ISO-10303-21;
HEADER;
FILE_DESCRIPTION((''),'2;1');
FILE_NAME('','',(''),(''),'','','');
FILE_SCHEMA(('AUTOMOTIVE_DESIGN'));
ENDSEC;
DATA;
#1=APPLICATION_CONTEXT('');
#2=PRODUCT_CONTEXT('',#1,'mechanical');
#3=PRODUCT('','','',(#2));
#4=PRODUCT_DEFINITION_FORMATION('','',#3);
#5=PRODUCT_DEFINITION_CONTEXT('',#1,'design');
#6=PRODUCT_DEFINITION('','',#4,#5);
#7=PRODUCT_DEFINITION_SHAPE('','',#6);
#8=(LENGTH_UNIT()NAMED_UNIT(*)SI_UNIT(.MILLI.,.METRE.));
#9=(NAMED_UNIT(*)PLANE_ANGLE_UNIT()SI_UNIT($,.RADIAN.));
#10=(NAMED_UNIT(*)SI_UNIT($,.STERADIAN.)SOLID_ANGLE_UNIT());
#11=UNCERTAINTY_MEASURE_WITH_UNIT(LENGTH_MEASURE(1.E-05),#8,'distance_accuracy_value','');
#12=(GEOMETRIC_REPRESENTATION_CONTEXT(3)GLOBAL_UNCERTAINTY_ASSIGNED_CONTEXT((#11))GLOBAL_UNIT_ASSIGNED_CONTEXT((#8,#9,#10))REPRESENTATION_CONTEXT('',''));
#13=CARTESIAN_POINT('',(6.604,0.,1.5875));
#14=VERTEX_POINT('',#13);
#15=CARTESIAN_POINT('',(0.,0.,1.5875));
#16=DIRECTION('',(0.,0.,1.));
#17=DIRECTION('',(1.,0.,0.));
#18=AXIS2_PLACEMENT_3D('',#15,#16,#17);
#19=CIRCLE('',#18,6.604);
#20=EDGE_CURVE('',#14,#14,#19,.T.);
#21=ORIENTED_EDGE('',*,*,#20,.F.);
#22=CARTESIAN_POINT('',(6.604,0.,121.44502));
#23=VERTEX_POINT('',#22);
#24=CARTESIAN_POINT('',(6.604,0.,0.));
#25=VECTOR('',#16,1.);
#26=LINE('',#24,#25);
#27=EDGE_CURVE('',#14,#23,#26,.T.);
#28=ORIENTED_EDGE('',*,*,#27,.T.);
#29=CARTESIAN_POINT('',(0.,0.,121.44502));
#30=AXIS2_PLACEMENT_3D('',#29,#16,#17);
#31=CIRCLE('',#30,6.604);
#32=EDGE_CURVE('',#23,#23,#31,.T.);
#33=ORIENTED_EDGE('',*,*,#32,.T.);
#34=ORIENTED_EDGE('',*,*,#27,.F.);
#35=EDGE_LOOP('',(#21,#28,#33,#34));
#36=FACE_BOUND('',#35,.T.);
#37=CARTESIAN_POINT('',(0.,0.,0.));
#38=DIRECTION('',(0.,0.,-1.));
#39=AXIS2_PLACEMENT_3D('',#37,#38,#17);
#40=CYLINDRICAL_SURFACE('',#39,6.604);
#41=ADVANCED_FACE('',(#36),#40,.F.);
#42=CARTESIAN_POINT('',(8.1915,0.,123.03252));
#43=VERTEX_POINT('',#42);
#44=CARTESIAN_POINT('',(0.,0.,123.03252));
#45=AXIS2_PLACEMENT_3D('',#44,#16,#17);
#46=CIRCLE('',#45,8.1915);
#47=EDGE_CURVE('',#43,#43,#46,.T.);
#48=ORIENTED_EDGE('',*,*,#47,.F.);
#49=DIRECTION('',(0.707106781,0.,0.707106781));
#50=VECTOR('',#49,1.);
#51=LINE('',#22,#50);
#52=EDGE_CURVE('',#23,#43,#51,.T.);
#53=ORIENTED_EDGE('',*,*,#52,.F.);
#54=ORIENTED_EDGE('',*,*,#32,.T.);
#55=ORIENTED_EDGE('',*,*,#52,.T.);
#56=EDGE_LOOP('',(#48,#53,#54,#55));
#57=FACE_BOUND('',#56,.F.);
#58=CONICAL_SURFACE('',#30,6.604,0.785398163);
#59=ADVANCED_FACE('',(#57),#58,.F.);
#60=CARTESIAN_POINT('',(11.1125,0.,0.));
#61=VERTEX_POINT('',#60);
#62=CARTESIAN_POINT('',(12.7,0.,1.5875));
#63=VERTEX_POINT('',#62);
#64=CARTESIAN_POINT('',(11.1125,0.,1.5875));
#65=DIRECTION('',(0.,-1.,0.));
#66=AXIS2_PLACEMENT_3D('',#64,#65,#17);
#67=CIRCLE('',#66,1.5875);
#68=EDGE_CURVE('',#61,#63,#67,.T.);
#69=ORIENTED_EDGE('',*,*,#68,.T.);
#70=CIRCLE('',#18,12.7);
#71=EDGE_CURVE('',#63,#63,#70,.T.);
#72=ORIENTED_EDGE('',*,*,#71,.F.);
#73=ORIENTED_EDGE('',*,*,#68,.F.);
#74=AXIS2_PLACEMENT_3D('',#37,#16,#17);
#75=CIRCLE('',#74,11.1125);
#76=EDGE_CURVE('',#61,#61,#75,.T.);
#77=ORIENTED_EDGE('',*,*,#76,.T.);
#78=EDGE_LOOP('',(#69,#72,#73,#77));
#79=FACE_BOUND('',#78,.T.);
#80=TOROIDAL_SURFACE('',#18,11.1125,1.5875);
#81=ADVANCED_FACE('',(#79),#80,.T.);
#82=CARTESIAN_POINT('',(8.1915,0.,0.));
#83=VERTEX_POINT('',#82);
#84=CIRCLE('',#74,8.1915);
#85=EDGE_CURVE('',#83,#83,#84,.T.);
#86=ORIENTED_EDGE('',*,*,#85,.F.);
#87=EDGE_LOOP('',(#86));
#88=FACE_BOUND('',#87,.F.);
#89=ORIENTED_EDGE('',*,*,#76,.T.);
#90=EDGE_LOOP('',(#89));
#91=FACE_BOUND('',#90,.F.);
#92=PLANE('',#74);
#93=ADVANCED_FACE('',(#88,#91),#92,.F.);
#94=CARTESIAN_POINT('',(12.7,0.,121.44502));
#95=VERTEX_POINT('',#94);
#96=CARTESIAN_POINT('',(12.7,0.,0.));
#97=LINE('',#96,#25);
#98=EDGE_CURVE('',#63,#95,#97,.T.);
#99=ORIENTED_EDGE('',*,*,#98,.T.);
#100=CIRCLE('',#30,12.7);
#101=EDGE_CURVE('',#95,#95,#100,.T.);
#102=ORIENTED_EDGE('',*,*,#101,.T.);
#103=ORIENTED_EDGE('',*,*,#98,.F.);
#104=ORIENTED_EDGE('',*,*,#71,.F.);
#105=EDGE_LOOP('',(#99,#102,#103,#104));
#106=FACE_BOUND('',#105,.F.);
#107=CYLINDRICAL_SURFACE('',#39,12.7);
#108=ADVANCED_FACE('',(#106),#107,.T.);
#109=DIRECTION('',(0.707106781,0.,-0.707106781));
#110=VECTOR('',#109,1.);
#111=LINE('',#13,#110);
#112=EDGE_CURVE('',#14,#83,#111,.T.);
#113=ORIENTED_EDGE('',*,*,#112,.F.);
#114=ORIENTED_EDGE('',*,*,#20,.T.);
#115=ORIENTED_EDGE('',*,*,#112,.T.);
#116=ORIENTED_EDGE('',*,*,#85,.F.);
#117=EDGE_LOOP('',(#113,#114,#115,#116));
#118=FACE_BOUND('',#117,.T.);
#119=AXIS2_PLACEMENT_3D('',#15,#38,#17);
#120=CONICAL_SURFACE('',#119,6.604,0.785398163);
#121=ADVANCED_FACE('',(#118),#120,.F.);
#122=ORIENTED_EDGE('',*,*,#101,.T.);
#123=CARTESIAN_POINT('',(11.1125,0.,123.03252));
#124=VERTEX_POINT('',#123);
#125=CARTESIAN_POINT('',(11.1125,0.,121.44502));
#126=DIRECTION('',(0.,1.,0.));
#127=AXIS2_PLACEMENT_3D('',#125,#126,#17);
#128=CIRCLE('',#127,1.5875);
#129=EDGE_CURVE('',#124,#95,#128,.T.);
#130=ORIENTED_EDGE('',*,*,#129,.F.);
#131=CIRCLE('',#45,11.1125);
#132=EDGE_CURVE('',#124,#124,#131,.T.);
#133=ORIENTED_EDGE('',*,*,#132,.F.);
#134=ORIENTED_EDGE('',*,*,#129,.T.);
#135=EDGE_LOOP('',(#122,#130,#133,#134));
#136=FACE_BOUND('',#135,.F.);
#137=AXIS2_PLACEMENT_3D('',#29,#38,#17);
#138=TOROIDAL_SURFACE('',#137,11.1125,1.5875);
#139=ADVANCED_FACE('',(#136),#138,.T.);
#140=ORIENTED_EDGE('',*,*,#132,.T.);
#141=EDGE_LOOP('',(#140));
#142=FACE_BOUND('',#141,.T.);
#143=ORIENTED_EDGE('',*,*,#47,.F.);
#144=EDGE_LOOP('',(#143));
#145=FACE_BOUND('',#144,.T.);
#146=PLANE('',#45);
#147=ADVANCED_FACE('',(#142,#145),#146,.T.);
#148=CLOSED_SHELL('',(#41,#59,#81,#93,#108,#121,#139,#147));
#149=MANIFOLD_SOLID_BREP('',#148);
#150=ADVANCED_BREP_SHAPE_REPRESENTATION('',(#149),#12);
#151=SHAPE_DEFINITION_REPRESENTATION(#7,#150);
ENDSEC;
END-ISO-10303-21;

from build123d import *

# Parameters (mm, degrees)
F0_R     = 12.7
F0_R_2   = 6.604
F1_DEPTH = 123.03252
F2_SIZE  = 1.5875
F3_R     = 1.5875


with BuildPart() as f1:
    # F0 (on Top) → F1 (new body)
    with BuildSketch(Plane.XY):
        Circle(F0_R)
        Circle(F0_R_2, mode=Mode.SUBTRACT)
    extrude(amount=F1_DEPTH)

    # F2
    f2_edges = [f1.edges().sort_by_distance(p)[0] for p in [
        (6.604, 0, 61.51626),
        (-6.604, 0, 0),
        (-6.604, 0, 123.03252),
    ]]
    chamfer(f2_edges, length=F2_SIZE)

    # F3
    f3_edges = [f1.edges().sort_by_distance(p)[0] for p in [
        (12.7, 0, 61.51626),
        (-12.7, 0, 0),
        (-12.7, 0, 123.03252),
    ]]
    fillet(f3_edges, radius=F3_R)


solid = f1.part
